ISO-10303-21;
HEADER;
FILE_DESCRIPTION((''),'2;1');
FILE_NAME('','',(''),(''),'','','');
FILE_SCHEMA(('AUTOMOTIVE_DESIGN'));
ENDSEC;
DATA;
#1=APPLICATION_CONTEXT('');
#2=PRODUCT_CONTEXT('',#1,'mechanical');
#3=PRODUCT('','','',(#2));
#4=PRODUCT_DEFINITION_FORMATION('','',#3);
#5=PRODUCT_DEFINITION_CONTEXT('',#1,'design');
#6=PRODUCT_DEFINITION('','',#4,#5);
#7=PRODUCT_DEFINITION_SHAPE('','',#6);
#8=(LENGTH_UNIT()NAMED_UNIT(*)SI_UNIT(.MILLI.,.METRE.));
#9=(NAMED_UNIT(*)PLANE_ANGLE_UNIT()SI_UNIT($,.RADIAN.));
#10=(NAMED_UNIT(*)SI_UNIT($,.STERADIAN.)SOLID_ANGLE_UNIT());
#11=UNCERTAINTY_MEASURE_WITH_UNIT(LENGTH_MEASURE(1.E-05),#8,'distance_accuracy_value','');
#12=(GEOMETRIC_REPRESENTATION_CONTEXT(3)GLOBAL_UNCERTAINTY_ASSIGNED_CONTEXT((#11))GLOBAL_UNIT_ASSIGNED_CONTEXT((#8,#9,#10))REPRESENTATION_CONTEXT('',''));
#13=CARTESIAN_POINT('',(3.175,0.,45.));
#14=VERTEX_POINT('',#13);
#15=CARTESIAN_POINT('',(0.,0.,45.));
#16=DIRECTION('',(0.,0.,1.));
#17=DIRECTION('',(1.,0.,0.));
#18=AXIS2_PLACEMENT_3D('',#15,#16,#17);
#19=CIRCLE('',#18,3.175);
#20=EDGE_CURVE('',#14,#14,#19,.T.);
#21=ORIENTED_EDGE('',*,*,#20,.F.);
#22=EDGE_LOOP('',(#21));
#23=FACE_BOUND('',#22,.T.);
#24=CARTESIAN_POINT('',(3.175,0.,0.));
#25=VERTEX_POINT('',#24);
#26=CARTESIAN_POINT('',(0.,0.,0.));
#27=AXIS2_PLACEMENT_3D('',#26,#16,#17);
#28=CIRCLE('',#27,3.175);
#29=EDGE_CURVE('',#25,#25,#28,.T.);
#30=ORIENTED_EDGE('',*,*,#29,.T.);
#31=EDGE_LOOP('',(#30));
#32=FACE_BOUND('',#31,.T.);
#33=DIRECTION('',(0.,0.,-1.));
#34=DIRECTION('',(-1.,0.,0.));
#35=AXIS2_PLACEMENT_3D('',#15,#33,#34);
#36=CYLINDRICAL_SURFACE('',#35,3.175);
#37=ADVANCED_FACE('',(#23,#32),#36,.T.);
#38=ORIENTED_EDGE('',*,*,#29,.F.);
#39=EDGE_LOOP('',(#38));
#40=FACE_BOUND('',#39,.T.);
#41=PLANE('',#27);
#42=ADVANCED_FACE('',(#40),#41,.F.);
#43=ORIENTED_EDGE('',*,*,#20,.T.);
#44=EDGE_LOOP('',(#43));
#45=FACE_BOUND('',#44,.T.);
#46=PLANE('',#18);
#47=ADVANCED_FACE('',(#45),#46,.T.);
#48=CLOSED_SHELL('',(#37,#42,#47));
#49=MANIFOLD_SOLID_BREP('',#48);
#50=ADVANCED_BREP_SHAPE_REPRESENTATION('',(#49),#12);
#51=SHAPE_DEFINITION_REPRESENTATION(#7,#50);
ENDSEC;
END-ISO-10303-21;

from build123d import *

# Parameters (mm, degrees)
SKETCH1_R           = 3.175
BOSS_EXTRUDE1_DEPTH = 45


with BuildPart() as part:
    # Sketch1 → Boss-Extrude1 (new body)
    with BuildSketch(Plane.XY):
        Circle(SKETCH1_R)
    extrude(amount=BOSS_EXTRUDE1_DEPTH)


solid = part.part
